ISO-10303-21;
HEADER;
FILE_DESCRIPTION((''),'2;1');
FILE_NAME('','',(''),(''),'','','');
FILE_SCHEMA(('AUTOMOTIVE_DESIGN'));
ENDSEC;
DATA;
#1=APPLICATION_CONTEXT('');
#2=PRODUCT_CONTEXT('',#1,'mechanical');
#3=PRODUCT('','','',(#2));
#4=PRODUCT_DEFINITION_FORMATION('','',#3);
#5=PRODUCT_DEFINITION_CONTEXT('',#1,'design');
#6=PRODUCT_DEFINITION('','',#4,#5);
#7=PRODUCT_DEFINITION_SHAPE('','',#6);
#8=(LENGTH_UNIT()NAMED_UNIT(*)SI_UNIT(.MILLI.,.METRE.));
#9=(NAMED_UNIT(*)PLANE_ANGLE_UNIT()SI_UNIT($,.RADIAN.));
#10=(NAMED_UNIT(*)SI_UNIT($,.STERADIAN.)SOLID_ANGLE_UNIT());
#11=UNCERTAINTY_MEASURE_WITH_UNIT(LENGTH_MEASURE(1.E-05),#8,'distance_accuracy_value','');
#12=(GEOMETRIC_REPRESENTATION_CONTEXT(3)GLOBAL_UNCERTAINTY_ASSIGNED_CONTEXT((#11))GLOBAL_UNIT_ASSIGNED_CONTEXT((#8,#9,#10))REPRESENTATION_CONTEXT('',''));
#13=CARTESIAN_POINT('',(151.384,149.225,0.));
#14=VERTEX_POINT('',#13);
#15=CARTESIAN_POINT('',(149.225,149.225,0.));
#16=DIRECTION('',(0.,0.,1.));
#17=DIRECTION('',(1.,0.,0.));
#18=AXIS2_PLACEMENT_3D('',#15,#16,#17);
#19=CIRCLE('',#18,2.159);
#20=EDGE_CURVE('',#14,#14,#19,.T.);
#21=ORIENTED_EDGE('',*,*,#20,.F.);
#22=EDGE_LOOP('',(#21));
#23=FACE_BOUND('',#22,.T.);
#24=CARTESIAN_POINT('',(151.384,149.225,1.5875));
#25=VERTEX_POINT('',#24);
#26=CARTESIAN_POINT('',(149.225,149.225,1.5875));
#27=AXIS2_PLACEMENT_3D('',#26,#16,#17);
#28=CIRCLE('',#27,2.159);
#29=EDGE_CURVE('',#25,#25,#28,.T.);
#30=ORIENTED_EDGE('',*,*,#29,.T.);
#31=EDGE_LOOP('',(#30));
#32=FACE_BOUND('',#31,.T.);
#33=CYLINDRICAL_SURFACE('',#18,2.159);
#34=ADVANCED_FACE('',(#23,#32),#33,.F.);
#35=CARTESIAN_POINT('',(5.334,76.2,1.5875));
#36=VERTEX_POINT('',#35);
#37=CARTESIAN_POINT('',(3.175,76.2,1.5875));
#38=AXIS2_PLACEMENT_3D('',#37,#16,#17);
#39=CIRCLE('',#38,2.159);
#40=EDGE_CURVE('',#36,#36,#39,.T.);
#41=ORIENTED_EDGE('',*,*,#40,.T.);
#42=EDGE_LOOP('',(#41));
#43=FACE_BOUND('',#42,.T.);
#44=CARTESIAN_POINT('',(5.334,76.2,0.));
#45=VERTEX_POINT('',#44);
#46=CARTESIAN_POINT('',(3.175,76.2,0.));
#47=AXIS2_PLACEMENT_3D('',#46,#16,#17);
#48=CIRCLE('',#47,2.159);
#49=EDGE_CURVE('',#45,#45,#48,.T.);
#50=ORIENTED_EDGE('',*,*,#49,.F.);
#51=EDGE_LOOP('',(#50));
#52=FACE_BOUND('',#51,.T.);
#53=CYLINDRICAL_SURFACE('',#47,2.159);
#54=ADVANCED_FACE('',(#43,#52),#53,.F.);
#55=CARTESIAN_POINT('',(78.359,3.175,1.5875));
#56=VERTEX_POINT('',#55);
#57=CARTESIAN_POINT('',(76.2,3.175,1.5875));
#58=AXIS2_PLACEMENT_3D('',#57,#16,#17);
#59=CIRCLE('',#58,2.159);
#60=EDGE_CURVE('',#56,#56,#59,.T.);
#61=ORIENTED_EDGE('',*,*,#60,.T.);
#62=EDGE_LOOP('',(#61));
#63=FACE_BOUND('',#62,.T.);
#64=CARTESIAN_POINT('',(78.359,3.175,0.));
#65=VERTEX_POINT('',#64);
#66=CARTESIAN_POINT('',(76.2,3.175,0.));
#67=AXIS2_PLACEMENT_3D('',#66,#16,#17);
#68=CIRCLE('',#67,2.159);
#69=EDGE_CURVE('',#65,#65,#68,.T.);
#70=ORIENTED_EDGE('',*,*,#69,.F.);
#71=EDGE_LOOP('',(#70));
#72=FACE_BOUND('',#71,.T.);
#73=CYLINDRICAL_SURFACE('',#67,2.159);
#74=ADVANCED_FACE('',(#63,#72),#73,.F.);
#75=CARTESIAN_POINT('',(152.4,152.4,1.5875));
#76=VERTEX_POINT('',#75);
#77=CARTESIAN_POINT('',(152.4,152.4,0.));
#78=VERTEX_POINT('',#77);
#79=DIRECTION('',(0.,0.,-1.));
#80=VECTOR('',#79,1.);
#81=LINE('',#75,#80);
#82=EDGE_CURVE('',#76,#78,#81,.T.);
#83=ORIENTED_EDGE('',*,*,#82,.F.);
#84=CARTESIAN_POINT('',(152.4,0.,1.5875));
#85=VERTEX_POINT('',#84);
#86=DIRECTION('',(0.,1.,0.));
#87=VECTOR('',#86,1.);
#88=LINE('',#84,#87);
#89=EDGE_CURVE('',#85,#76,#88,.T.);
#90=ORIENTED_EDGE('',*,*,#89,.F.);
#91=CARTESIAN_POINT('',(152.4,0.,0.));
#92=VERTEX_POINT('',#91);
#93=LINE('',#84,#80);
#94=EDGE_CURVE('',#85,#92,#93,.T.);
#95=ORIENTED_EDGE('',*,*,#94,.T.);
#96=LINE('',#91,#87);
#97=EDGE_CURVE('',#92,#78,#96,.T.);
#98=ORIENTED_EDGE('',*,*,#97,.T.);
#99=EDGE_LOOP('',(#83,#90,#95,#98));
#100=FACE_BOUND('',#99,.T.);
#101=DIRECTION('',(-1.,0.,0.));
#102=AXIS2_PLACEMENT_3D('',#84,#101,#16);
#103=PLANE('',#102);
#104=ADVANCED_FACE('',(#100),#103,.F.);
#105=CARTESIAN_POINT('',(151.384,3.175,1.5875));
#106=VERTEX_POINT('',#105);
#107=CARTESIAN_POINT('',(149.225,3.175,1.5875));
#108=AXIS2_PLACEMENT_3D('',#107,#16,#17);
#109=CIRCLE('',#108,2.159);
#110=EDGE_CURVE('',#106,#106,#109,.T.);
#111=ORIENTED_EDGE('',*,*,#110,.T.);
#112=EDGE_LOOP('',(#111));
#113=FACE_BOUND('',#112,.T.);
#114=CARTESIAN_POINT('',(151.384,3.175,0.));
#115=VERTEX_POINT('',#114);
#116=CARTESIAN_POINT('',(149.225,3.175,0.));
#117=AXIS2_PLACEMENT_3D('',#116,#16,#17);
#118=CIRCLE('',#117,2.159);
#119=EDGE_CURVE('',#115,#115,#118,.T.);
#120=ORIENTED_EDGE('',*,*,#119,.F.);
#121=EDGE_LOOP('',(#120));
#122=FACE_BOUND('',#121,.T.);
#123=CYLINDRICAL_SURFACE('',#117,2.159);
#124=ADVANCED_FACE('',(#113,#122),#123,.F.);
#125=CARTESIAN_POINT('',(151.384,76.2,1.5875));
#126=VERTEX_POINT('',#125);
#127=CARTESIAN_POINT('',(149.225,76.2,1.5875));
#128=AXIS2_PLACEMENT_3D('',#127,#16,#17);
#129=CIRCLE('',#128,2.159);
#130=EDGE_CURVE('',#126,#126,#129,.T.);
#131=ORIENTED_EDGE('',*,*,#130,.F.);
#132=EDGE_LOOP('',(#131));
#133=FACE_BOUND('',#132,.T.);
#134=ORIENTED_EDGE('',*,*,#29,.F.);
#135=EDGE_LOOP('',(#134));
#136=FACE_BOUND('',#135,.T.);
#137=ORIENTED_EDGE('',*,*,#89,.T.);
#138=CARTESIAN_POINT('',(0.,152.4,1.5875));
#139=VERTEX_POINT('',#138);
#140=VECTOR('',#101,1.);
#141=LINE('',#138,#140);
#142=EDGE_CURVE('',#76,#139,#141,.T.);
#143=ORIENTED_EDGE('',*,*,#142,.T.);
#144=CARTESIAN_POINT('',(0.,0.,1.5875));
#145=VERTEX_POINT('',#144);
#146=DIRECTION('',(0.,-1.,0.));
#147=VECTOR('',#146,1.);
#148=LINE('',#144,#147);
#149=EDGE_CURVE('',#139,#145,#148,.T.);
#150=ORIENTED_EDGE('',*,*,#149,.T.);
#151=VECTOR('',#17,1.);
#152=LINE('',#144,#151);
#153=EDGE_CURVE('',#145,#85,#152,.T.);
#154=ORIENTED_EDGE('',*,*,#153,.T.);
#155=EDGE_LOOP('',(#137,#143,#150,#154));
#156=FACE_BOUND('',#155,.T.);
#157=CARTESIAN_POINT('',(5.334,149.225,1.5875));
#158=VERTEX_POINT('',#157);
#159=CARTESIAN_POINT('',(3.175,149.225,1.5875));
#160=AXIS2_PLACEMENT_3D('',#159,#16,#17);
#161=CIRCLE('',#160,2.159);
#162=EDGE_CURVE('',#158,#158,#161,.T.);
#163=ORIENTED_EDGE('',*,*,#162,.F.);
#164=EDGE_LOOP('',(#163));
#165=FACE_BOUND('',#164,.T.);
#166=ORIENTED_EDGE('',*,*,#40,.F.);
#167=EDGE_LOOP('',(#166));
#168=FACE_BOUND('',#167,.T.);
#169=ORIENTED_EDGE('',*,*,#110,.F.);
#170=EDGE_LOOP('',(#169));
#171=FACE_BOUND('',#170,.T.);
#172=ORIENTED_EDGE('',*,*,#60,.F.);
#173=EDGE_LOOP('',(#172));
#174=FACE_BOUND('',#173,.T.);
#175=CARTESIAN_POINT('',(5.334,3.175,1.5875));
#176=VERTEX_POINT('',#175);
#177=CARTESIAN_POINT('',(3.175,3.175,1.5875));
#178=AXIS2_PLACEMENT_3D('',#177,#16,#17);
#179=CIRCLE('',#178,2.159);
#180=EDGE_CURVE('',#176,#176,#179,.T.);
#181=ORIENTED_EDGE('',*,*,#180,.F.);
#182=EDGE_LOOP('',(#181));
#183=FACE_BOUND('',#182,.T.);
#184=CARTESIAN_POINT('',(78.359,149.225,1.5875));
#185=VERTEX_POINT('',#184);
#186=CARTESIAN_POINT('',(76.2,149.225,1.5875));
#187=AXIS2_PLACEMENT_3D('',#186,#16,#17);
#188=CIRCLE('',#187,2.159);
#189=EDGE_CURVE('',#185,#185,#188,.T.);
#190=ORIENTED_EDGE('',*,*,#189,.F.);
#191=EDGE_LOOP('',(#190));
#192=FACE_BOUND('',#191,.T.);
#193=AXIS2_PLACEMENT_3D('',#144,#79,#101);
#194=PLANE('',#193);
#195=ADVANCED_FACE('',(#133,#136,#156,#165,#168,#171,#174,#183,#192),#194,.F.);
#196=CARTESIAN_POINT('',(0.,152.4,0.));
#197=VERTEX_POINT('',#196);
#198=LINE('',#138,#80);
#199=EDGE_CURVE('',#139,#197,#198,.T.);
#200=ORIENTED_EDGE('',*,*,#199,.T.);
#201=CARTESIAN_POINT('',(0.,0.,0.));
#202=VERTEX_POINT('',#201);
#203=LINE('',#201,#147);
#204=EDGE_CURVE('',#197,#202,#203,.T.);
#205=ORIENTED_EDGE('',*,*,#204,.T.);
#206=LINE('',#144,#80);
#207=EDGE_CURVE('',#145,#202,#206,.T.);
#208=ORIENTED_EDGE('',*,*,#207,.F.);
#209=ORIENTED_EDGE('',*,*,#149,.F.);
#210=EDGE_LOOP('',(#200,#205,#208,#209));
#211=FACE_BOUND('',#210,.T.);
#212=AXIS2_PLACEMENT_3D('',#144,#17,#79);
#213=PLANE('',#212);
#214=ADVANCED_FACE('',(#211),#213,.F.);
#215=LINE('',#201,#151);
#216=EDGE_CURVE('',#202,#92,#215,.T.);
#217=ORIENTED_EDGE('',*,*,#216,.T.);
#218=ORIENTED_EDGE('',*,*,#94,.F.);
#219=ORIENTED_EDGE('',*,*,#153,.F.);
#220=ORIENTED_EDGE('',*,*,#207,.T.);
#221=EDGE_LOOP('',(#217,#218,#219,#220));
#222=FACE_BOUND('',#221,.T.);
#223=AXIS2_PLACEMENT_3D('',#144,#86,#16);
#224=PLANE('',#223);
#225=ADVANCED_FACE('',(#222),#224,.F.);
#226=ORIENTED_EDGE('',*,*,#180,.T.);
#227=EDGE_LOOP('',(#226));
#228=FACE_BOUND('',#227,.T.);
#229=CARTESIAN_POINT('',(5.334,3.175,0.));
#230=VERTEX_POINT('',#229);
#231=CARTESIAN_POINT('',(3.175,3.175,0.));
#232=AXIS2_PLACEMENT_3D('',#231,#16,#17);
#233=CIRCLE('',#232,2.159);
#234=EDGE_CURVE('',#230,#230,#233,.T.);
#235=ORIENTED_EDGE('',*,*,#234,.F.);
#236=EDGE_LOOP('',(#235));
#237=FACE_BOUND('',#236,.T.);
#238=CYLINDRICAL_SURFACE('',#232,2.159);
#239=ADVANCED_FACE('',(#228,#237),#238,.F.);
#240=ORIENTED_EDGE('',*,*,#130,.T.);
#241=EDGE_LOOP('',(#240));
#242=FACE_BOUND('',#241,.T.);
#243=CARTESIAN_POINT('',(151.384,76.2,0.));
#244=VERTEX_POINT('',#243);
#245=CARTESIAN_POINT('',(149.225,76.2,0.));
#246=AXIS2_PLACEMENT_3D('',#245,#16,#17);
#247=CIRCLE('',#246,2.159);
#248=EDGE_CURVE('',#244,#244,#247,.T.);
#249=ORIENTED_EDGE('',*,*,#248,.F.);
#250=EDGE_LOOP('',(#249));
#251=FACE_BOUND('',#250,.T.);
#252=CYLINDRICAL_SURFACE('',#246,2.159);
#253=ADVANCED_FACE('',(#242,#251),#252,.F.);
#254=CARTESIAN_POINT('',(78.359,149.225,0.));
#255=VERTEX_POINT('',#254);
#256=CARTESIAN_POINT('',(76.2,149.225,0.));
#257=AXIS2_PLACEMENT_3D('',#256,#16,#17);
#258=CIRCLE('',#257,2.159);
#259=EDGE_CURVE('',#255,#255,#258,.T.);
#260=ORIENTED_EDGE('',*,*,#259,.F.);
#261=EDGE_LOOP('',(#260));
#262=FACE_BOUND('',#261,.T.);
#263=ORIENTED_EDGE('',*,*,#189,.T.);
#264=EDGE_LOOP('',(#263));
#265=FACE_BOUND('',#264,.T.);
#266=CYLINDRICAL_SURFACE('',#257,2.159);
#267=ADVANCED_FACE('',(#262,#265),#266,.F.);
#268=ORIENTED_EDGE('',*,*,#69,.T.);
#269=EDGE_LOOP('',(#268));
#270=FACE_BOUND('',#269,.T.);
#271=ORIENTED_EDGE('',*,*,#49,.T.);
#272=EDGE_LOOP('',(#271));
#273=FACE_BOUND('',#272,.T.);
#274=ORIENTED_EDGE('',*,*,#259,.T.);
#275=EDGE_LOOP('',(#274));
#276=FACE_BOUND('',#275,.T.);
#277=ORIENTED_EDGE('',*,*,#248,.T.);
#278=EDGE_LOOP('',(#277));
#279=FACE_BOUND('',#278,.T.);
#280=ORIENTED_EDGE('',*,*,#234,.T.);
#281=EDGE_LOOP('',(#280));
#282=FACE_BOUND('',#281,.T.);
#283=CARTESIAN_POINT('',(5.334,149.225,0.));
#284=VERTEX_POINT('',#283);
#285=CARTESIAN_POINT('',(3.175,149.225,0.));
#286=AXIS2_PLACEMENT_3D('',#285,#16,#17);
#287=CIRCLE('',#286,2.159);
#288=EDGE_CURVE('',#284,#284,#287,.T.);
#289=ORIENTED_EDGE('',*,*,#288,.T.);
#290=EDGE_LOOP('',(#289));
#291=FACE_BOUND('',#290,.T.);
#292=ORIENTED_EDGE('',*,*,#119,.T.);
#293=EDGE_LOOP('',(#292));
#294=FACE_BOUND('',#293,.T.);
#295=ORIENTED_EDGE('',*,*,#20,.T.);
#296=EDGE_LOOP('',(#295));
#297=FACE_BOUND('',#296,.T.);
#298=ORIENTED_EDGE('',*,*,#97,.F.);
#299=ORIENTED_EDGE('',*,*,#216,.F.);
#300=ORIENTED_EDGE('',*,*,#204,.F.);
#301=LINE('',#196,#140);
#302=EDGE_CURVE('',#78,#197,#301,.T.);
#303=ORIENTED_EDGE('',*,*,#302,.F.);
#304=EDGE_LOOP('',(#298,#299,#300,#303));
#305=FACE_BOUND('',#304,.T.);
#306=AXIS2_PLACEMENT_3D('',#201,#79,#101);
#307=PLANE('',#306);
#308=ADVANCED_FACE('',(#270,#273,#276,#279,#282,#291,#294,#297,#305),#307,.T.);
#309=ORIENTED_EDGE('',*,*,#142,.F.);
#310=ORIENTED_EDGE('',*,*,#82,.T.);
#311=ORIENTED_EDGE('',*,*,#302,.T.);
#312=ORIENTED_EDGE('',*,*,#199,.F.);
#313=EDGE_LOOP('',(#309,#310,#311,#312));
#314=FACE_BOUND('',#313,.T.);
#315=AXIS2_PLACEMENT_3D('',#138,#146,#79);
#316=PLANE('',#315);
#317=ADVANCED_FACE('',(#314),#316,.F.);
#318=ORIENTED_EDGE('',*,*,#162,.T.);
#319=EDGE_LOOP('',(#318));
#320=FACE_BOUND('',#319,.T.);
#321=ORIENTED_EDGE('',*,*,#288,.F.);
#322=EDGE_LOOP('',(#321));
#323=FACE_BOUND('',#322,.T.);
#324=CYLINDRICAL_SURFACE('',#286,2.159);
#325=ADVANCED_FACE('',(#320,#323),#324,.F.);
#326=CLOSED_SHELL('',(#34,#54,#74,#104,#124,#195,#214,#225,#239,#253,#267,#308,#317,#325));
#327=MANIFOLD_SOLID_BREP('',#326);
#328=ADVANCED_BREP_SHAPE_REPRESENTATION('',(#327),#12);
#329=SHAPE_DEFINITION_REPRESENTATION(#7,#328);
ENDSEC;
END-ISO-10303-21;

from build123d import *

# Parameters (mm, degrees)
SKETCH1_W           = 152.4
SKETCH1_H           = 152.4
BOSS_EXTRUDE1_DEPTH = 1.5875
SKETCH2_R           = 2.159
CUT_EXTRUDE1_DEPTH  = 216.531993347


with BuildPart() as part:
    # Sketch1 → Boss-Extrude1 (new body)
    with BuildSketch(Plane.XY):
        with Locations((76.2, 76.2)):
            Rectangle(SKETCH1_W, SKETCH1_H)
    extrude(amount=BOSS_EXTRUDE1_DEPTH)

    # Sketch2 → Cut-Extrude1 (cut, through all)
    with BuildSketch(Plane.XY.offset(1.5875)):
        with Locations((3.175, 149.225)):
            Circle(SKETCH2_R)
        with Locations((76.2, 149.225)):
            Circle(SKETCH2_R)
        with Locations((149.225, 149.225)):
            Circle(SKETCH2_R)
        with Locations((3.175, 3.175)):
            Circle(SKETCH2_R)
        with Locations((149.225, 3.175)):
            Circle(SKETCH2_R)
        with Locations((149.225, 76.2)):
            Circle(SKETCH2_R)
        with Locations((3.175, 76.2)):
            Circle(SKETCH2_R)
        with Locations((76.2, 3.175)):
            Circle(SKETCH2_R)
    extrude(amount=-CUT_EXTRUDE1_DEPTH, mode=Mode.SUBTRACT)


solid = part.part
